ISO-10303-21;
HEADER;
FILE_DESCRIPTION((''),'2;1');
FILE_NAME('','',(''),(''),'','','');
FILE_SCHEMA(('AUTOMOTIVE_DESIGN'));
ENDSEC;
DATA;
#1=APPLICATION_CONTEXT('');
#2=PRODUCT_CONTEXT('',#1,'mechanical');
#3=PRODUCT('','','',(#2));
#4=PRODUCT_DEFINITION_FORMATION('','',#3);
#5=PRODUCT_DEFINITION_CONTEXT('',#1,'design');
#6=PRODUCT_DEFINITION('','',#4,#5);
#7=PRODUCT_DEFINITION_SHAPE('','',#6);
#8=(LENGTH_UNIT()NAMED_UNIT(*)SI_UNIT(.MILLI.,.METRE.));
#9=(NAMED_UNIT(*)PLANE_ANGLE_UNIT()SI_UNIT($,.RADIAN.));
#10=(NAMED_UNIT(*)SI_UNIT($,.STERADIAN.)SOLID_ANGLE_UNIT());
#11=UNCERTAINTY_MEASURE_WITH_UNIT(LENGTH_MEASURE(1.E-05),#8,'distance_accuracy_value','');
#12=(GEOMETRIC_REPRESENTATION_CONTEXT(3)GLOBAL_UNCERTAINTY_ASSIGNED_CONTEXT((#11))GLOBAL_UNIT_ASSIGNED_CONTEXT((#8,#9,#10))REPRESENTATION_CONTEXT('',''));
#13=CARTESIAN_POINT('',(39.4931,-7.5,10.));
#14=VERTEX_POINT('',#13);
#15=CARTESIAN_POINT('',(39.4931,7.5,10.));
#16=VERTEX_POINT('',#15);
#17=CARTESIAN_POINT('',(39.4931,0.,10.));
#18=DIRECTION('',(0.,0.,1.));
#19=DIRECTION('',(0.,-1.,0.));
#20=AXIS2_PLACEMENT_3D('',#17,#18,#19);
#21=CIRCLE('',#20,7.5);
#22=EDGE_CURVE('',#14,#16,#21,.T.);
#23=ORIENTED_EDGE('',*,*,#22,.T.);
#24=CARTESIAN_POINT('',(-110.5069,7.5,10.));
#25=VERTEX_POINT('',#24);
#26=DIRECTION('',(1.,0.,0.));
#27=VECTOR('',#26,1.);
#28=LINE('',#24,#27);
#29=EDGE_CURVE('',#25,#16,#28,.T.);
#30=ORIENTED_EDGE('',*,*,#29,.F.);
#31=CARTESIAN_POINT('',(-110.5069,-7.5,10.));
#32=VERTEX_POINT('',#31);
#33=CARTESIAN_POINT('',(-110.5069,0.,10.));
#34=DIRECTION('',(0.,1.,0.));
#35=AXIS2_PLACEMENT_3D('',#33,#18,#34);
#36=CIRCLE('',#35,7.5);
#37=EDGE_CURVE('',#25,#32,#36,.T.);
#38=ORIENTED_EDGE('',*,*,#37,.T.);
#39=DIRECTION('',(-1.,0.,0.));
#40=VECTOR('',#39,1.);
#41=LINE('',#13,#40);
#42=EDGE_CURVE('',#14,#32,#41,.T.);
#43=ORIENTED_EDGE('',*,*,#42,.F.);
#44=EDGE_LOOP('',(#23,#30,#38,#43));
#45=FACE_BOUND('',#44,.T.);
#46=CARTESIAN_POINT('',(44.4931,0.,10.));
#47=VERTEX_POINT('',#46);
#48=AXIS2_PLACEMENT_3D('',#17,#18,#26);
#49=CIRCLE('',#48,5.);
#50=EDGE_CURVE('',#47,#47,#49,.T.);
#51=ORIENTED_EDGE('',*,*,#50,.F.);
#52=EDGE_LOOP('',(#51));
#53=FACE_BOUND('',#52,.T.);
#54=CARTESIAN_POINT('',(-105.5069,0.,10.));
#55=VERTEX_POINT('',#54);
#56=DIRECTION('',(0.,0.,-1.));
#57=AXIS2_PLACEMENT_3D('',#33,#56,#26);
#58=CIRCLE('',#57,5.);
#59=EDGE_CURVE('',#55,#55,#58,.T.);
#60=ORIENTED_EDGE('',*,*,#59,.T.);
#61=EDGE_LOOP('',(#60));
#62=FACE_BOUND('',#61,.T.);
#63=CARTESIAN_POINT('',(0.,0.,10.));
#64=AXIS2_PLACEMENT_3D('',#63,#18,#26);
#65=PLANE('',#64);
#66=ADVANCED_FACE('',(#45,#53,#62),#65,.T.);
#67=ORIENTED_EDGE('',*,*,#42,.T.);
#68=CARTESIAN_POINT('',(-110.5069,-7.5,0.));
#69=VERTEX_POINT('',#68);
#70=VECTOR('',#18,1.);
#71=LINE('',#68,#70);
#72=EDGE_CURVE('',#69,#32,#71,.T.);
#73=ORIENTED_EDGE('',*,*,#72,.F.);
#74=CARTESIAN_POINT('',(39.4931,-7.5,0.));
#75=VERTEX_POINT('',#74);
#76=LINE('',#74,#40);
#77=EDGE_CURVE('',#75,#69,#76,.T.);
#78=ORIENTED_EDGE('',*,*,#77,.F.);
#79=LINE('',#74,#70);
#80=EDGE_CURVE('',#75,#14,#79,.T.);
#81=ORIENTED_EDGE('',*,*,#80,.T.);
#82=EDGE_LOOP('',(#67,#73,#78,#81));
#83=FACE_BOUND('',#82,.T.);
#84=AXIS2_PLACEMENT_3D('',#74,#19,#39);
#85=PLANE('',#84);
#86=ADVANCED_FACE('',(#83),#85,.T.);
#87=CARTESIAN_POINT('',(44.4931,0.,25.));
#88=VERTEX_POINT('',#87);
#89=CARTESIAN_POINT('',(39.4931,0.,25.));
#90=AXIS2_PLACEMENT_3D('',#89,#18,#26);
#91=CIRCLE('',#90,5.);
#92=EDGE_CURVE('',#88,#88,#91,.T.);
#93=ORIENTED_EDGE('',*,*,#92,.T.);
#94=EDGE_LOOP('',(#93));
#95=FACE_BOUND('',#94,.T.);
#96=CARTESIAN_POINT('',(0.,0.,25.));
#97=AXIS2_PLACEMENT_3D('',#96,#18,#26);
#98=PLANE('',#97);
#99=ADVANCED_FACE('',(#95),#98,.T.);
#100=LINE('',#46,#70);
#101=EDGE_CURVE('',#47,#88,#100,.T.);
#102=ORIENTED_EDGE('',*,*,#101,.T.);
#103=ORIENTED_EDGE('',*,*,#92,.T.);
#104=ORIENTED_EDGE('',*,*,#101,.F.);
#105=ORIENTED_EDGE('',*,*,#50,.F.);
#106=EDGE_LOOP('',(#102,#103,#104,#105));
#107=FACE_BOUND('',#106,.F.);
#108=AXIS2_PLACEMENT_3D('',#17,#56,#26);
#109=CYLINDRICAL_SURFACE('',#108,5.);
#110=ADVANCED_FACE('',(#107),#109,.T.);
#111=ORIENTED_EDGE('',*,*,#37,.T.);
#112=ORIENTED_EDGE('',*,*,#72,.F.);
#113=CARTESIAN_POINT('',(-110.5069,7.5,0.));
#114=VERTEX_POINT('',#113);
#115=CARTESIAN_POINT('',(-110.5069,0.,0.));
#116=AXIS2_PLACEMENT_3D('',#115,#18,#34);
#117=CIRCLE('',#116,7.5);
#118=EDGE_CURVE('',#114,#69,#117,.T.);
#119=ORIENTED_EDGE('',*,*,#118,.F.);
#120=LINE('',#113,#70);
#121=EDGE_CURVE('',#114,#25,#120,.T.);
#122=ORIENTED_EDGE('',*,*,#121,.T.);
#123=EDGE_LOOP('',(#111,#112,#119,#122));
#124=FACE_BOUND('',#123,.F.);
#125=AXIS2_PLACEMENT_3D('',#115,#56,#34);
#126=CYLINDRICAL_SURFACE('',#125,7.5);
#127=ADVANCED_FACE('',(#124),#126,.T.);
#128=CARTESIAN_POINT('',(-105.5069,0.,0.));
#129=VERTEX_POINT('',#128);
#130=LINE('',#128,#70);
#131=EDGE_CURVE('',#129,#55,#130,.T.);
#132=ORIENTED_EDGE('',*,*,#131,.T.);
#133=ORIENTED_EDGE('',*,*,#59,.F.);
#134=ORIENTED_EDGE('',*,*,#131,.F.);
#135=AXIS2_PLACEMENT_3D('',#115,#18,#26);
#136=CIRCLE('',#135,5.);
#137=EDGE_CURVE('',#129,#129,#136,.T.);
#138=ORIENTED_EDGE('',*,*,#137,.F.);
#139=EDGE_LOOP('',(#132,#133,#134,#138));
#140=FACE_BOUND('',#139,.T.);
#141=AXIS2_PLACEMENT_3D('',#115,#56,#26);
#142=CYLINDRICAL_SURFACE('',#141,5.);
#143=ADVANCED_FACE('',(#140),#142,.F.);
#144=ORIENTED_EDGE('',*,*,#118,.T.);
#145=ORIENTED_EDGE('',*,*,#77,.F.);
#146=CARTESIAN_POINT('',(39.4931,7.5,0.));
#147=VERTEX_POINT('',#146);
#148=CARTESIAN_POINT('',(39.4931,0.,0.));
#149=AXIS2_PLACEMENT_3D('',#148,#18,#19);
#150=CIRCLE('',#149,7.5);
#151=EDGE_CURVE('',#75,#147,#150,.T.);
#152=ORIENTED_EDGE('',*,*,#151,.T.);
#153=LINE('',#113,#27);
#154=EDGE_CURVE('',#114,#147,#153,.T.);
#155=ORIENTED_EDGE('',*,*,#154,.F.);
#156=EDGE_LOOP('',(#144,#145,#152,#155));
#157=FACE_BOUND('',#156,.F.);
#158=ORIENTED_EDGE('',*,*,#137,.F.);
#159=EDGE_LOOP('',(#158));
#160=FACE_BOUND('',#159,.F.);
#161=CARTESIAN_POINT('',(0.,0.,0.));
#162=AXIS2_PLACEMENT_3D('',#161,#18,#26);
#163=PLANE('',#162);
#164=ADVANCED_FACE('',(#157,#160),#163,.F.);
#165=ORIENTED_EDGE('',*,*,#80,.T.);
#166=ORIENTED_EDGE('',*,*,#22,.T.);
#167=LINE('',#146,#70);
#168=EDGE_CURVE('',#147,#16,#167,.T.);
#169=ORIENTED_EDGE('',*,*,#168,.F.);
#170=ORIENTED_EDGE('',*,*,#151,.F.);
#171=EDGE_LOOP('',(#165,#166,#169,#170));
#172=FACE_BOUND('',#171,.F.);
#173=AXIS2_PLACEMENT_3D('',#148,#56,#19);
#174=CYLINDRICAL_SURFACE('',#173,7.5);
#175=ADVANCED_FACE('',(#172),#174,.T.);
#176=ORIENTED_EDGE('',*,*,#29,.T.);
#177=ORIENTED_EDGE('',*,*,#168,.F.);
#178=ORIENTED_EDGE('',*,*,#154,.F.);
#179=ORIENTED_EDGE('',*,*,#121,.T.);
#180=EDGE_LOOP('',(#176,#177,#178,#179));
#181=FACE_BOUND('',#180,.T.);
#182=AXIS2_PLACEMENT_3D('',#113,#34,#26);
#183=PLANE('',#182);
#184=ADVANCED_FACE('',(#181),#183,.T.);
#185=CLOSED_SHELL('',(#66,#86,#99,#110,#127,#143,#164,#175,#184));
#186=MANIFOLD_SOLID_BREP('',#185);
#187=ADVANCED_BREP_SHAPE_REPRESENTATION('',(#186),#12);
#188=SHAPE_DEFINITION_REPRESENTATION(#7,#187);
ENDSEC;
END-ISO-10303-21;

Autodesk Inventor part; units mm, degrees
ref_plane "YZ Plane" through (0, 0, 0) normal (1, 0, 0) x (0, 1, 0)
ref_plane "XZ Plane" through (0, 0, 0) normal (0, 1, 0) x (-1, 0, 0)
ref_plane "XY Plane" through (0, 0, 0) normal (0, 0, 1) x (1, 0, 0)
sketch "Sketch1" plane through (0, 0, 0) normal (0, 0, 1) x (1, 0, 0)
  line L0 (-110.5069, 7.5) -> (39.4931, 7.5)
  line L1 (39.4931, 7.5) -> (39.4931, -7.5)
  line L2 (39.4931, -7.5) -> (-110.5069, -7.5)
  line L3 (-110.5069, -7.5) -> (-110.5069, 7.5)
  arc A0 (-110.5069, 7.5) -> (-110.5069, -7.5) centre (-110.5069, 0) ccw
  arc A1 (39.4931, -7.5) -> (39.4931, 7.5) centre (39.4931, 0) ccw
  circle A2 centre (-110.5069, 0) radius 5
  point P0 (0, 0)
  dimension "d0" = 150
  dimension "d1" = 15
  dimension "d2" = 7.5
  dimension "d3" = 10
extrude "Extrusion1" add sketch "Sketch1" along normal blind 10 contours L0 L1 L2 L3 A2 | L3 A2 A0 | A1 L1
sketch "Sketch2" plane through (0, 0, 10) normal (0, 0, 1) x (1, 0, 0)
  arc A0 (39.4931, -7.5) -> (39.4931, 7.5) centre (39.4931, 0) ccw projected
  circle A1 centre (39.4931, 0) radius 5
  point P0 (0, 0)
  dimension "d6" = 10
extrude "Extrusion2" add sketch "Sketch2" along normal blind 15
properties part number "innerLink" material "Stainless Steel"
